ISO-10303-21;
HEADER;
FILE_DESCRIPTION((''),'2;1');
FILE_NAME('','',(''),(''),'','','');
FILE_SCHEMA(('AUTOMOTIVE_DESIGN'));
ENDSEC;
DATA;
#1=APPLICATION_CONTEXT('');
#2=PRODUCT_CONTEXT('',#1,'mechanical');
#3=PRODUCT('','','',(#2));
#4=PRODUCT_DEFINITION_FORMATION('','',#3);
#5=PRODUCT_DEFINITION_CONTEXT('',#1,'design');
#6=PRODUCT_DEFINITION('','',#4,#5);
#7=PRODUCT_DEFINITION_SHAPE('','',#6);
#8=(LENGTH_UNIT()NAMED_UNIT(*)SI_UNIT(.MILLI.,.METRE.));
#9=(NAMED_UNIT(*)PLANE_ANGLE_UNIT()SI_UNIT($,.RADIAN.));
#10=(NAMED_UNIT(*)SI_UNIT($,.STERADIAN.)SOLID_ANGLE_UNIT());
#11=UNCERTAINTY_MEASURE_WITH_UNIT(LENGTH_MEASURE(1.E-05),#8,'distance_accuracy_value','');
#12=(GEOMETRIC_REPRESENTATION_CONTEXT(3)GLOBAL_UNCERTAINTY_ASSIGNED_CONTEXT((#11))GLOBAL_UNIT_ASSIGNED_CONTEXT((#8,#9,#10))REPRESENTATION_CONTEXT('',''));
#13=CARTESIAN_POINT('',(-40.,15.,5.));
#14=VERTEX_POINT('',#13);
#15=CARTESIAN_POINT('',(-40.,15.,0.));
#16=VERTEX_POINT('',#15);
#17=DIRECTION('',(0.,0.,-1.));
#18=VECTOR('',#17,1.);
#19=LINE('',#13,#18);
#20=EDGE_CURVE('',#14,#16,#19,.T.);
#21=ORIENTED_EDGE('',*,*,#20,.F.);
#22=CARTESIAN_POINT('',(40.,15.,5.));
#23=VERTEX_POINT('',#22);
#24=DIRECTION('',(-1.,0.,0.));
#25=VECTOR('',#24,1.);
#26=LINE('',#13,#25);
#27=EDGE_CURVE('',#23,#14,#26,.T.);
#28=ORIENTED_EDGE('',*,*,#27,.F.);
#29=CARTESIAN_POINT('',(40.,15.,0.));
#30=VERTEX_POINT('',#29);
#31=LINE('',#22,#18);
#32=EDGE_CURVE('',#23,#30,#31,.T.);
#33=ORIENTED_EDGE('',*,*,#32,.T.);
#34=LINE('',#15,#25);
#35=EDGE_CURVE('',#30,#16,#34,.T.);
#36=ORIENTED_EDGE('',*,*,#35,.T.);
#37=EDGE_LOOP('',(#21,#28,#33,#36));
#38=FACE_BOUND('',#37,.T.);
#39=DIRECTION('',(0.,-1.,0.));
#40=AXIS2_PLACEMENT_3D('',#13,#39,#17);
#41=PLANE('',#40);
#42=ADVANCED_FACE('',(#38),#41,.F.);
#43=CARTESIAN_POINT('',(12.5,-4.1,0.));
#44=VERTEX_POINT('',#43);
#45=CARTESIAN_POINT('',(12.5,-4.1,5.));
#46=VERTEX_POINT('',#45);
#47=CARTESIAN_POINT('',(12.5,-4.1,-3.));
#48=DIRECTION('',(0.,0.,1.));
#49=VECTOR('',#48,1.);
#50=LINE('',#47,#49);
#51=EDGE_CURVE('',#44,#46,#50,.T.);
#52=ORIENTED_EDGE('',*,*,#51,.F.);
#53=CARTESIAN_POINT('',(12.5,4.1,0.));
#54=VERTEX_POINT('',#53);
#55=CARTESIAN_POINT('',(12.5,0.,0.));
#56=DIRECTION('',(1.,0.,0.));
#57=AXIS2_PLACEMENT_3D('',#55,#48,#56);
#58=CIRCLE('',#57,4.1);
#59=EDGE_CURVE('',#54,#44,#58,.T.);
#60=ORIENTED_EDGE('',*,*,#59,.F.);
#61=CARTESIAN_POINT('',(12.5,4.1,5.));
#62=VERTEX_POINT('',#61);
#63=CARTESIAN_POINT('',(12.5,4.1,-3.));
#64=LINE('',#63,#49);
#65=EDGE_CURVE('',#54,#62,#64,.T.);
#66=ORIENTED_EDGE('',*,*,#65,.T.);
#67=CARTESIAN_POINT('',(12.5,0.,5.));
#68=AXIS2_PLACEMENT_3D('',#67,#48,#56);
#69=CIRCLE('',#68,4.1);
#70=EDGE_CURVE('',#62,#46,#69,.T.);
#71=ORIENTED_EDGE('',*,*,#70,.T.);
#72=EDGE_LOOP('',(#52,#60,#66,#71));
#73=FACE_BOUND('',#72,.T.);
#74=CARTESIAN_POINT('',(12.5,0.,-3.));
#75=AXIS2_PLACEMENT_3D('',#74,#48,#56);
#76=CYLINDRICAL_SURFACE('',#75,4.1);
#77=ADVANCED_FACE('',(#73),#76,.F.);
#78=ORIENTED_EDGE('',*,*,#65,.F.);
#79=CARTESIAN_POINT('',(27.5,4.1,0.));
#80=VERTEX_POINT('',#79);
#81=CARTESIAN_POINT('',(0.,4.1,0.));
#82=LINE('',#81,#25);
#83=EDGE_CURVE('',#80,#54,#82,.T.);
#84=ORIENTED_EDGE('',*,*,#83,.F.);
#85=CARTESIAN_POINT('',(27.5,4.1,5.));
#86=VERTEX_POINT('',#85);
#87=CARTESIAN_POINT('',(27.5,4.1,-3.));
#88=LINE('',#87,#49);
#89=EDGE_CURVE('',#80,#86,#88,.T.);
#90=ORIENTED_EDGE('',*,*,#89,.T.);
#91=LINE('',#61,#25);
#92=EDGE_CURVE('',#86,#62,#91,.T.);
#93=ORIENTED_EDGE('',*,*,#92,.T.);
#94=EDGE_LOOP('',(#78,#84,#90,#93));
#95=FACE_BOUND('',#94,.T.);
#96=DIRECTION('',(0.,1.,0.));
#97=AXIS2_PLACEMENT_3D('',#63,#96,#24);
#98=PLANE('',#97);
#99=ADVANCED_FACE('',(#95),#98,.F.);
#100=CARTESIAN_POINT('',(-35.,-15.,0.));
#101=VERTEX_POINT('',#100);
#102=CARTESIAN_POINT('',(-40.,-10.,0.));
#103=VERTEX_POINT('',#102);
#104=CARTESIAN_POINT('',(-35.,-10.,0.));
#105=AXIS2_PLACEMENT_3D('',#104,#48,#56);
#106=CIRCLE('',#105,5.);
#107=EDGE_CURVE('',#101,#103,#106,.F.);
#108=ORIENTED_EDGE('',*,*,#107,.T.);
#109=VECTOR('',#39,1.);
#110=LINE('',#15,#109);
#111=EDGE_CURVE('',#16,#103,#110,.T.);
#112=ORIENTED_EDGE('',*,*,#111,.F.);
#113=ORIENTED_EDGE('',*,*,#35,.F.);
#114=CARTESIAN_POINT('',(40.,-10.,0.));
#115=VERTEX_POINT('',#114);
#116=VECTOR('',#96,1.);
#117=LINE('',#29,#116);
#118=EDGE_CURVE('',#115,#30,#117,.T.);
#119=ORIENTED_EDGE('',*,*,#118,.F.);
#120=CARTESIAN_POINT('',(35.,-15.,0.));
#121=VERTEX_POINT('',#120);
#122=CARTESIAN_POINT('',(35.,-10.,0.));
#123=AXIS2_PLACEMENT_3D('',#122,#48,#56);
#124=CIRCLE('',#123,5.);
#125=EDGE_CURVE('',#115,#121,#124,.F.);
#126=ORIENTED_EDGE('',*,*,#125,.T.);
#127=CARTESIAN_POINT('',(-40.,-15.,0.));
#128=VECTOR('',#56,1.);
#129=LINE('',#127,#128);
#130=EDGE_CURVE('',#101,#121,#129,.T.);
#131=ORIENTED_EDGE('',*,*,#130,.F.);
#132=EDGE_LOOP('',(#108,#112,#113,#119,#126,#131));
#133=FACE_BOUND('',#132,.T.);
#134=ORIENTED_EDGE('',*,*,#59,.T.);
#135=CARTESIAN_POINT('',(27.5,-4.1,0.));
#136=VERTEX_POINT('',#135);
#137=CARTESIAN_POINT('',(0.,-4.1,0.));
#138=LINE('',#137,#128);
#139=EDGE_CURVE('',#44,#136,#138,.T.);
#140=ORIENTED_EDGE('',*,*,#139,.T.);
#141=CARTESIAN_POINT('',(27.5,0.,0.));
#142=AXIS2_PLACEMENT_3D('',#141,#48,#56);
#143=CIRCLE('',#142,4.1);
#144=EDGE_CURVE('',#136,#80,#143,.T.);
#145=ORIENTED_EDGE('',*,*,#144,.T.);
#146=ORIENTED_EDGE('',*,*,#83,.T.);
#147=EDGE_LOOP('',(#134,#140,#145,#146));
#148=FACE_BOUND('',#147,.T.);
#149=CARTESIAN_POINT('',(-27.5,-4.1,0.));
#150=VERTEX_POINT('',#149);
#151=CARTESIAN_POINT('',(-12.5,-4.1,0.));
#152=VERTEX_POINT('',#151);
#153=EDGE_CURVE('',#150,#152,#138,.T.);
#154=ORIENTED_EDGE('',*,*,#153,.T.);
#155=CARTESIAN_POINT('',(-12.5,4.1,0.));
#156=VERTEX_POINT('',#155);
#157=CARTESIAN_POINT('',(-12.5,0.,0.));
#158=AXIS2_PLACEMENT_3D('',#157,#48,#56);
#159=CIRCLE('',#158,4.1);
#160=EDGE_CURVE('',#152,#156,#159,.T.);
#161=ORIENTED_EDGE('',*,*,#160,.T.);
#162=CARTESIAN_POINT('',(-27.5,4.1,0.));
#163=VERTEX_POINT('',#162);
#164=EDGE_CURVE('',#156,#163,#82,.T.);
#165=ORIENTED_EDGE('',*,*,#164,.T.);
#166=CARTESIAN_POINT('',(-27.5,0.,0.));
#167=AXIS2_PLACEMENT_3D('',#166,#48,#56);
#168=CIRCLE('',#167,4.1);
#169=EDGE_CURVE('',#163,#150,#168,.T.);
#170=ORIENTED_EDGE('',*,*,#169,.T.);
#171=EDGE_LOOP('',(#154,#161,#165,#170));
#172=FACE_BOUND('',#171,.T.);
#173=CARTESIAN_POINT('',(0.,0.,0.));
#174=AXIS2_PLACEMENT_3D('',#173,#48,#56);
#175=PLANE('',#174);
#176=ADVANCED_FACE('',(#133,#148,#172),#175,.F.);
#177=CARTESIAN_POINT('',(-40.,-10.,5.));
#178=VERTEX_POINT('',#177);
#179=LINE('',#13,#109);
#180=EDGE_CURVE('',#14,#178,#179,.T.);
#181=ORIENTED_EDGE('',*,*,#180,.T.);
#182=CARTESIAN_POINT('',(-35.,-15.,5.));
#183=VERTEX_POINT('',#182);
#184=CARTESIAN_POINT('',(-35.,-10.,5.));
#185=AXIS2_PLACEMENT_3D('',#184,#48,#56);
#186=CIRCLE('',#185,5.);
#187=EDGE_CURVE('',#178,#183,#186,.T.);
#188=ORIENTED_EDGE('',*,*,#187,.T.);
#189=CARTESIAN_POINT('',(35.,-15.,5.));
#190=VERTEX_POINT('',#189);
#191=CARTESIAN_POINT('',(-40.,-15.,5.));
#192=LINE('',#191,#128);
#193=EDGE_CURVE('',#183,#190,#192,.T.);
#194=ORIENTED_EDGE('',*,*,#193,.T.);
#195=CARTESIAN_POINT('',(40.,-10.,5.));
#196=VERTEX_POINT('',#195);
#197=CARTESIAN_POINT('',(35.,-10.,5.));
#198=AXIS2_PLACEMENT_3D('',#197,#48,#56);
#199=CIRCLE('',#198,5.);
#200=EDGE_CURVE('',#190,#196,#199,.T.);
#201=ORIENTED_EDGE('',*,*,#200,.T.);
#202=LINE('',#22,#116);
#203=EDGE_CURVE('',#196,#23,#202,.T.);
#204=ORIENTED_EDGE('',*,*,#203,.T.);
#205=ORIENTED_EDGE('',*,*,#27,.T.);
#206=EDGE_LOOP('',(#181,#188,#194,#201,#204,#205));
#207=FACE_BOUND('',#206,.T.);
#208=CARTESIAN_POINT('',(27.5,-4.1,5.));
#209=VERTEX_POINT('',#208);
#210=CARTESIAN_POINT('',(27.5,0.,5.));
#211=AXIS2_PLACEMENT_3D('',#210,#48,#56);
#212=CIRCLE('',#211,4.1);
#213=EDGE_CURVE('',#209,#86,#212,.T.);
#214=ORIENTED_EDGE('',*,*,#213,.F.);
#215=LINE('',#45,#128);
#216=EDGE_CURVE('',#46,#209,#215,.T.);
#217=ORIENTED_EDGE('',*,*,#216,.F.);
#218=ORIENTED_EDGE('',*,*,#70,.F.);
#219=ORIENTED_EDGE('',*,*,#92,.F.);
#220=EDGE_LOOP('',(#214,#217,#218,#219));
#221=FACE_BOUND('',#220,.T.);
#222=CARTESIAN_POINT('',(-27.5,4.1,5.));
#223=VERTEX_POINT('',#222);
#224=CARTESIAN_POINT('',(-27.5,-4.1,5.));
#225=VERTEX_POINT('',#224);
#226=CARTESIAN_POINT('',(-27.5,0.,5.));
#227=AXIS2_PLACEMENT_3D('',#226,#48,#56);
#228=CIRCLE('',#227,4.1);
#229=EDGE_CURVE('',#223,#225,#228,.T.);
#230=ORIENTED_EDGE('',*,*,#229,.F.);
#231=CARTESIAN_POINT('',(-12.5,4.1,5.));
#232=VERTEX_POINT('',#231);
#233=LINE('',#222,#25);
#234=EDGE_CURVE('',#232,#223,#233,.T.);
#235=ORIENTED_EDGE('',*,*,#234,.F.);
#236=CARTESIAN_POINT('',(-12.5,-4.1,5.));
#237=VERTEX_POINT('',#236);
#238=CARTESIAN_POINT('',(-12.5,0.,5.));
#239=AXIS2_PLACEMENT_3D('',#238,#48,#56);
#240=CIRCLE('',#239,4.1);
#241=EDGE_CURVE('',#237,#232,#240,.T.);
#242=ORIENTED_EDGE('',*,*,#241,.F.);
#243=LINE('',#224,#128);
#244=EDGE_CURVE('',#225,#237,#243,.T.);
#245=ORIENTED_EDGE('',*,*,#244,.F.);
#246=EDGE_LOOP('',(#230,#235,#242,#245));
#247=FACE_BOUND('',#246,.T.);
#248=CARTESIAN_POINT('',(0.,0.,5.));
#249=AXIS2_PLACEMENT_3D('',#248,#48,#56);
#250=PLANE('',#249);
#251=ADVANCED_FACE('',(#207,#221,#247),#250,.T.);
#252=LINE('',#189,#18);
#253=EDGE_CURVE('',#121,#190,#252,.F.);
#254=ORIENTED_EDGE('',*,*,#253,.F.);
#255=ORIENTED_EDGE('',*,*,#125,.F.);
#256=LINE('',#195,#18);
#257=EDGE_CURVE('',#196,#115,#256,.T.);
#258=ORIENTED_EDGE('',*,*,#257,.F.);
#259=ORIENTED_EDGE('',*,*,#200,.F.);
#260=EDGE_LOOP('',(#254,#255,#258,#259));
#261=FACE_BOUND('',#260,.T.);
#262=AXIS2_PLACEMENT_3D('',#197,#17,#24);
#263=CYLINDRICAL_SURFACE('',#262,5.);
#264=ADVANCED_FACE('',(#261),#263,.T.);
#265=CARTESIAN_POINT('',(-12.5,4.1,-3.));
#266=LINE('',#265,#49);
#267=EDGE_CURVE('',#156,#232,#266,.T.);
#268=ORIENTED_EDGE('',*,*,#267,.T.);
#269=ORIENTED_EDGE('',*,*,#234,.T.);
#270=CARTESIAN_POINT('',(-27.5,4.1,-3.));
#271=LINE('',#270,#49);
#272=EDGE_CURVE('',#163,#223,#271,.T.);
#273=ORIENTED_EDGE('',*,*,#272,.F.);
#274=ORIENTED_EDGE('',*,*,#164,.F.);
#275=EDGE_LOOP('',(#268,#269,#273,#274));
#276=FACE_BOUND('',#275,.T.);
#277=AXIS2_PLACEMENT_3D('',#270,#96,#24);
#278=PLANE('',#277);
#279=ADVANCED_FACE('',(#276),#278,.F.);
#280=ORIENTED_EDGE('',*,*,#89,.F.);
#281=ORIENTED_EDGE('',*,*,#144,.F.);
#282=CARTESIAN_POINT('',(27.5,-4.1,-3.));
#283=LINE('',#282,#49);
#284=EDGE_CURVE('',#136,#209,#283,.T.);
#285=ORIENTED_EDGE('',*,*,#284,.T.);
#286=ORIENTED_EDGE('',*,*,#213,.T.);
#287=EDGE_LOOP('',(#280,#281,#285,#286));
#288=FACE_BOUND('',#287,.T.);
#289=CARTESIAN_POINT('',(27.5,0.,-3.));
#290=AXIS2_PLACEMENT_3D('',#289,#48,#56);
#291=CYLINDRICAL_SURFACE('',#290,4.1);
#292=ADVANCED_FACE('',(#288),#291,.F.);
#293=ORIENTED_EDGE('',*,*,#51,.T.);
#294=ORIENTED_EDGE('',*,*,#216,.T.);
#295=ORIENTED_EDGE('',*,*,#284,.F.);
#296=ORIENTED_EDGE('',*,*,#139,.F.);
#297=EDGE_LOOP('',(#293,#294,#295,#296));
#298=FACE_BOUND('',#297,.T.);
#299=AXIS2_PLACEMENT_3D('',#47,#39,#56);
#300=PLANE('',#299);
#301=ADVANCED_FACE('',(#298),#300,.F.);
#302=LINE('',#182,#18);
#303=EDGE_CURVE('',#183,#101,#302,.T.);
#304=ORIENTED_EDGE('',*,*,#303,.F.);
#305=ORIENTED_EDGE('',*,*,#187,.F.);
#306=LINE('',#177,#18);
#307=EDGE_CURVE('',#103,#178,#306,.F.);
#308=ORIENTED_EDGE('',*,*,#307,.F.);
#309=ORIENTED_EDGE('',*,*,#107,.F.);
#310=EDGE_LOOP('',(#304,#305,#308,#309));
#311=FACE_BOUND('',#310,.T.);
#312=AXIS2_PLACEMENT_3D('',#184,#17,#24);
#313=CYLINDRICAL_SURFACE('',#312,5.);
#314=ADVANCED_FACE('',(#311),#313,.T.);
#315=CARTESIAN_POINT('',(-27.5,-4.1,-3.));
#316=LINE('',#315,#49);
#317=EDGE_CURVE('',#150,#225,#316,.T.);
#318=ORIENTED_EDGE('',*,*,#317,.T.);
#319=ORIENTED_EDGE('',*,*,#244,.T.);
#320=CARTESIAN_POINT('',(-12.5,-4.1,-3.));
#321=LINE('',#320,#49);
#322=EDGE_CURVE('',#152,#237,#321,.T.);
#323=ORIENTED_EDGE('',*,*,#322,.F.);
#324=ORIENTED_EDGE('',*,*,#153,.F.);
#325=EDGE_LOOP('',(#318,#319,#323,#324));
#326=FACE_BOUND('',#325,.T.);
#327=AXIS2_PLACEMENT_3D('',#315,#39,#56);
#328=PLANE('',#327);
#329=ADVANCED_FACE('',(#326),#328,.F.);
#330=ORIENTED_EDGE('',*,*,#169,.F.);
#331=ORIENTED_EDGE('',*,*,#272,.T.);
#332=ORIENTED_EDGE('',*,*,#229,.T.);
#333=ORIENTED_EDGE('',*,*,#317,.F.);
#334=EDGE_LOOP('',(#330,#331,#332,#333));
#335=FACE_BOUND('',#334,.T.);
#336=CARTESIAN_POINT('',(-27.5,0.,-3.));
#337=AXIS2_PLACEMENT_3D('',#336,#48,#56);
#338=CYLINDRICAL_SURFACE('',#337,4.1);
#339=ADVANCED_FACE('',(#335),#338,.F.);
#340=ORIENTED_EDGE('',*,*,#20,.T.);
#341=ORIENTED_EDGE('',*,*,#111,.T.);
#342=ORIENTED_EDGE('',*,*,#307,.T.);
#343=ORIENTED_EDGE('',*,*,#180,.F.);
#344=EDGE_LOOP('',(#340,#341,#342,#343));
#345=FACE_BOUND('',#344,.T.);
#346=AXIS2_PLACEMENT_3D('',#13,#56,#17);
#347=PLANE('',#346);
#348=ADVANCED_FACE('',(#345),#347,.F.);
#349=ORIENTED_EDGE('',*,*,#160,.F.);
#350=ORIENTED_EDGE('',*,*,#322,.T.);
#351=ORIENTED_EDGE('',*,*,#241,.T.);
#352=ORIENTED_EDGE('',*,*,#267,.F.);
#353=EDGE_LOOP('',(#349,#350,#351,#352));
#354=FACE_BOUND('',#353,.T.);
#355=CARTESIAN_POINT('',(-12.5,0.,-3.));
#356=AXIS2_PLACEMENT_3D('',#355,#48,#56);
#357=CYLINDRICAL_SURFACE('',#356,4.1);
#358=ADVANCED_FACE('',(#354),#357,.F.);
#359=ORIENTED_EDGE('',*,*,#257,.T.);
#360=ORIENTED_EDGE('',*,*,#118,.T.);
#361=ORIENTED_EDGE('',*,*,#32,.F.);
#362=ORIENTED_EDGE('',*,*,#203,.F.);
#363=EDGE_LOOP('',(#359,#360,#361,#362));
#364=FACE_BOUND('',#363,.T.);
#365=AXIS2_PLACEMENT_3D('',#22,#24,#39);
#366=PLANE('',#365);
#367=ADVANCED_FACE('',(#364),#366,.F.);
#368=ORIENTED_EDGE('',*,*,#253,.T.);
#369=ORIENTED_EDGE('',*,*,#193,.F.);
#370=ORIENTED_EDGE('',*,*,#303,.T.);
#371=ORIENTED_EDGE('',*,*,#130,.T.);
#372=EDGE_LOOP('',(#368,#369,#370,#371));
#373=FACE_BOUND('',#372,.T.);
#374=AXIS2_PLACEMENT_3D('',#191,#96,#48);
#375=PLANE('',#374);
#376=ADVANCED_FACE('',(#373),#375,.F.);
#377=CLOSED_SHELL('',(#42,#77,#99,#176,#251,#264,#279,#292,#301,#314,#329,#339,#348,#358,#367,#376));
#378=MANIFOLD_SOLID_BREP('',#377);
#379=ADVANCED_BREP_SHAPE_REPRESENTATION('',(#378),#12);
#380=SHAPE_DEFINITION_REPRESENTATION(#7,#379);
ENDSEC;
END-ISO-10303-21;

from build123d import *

# Parameters (mm, degrees)
IZIM1_W                     = 80
IZIM1_H                     = 30
Y_KSEKLIK_EKSTR_ZYON1_DEPTH = 5
RADYUS2_R                   = 5
KES_EKSTR_ZYON1_DEPTH       = 8


with BuildPart() as part:
    # Çizim1 → Yükseklik-Ekstrüzyon1 (new body)
    with BuildSketch(Plane.XY):
        Rectangle(IZIM1_W, IZIM1_H)
    extrude(amount=Y_KSEKLIK_EKSTR_ZYON1_DEPTH)

    # Radyus2
    radyus2_edges = [part.edges().sort_by_distance(p)[0] for p in [
        (40, -15, 2.5),
        (-40, -15, 2.5),
    ]]
    fillet(radyus2_edges, radius=RADYUS2_R)

    # Çizim2 → Kes-Ekstrüzyon1 (cut)
    with BuildSketch(Plane.XY.offset(5)):
        with BuildLine():
            Line((-27.5, 4.1), (-12.5, 4.1))
            ThreePointArc((-12.5, 4.1), (-8.4, 0), (-12.5, -4.1))
            Line((-12.5, -4.1), (-27.5, -4.1))
            ThreePointArc((-27.5, -4.1), (-31.6, 0), (-27.5, 4.1))
        make_face()
        with BuildLine():
            Line((12.5, 4.1), (27.5, 4.1))
            ThreePointArc((27.5, 4.1), (31.6, 0), (27.5, -4.1))
            Line((27.5, -4.1), (12.5, -4.1))
            ThreePointArc((12.5, -4.1), (8.4, 0), (12.5, 4.1))
        make_face()
    extrude(amount=-KES_EKSTR_ZYON1_DEPTH, mode=Mode.SUBTRACT)


solid = part.part
